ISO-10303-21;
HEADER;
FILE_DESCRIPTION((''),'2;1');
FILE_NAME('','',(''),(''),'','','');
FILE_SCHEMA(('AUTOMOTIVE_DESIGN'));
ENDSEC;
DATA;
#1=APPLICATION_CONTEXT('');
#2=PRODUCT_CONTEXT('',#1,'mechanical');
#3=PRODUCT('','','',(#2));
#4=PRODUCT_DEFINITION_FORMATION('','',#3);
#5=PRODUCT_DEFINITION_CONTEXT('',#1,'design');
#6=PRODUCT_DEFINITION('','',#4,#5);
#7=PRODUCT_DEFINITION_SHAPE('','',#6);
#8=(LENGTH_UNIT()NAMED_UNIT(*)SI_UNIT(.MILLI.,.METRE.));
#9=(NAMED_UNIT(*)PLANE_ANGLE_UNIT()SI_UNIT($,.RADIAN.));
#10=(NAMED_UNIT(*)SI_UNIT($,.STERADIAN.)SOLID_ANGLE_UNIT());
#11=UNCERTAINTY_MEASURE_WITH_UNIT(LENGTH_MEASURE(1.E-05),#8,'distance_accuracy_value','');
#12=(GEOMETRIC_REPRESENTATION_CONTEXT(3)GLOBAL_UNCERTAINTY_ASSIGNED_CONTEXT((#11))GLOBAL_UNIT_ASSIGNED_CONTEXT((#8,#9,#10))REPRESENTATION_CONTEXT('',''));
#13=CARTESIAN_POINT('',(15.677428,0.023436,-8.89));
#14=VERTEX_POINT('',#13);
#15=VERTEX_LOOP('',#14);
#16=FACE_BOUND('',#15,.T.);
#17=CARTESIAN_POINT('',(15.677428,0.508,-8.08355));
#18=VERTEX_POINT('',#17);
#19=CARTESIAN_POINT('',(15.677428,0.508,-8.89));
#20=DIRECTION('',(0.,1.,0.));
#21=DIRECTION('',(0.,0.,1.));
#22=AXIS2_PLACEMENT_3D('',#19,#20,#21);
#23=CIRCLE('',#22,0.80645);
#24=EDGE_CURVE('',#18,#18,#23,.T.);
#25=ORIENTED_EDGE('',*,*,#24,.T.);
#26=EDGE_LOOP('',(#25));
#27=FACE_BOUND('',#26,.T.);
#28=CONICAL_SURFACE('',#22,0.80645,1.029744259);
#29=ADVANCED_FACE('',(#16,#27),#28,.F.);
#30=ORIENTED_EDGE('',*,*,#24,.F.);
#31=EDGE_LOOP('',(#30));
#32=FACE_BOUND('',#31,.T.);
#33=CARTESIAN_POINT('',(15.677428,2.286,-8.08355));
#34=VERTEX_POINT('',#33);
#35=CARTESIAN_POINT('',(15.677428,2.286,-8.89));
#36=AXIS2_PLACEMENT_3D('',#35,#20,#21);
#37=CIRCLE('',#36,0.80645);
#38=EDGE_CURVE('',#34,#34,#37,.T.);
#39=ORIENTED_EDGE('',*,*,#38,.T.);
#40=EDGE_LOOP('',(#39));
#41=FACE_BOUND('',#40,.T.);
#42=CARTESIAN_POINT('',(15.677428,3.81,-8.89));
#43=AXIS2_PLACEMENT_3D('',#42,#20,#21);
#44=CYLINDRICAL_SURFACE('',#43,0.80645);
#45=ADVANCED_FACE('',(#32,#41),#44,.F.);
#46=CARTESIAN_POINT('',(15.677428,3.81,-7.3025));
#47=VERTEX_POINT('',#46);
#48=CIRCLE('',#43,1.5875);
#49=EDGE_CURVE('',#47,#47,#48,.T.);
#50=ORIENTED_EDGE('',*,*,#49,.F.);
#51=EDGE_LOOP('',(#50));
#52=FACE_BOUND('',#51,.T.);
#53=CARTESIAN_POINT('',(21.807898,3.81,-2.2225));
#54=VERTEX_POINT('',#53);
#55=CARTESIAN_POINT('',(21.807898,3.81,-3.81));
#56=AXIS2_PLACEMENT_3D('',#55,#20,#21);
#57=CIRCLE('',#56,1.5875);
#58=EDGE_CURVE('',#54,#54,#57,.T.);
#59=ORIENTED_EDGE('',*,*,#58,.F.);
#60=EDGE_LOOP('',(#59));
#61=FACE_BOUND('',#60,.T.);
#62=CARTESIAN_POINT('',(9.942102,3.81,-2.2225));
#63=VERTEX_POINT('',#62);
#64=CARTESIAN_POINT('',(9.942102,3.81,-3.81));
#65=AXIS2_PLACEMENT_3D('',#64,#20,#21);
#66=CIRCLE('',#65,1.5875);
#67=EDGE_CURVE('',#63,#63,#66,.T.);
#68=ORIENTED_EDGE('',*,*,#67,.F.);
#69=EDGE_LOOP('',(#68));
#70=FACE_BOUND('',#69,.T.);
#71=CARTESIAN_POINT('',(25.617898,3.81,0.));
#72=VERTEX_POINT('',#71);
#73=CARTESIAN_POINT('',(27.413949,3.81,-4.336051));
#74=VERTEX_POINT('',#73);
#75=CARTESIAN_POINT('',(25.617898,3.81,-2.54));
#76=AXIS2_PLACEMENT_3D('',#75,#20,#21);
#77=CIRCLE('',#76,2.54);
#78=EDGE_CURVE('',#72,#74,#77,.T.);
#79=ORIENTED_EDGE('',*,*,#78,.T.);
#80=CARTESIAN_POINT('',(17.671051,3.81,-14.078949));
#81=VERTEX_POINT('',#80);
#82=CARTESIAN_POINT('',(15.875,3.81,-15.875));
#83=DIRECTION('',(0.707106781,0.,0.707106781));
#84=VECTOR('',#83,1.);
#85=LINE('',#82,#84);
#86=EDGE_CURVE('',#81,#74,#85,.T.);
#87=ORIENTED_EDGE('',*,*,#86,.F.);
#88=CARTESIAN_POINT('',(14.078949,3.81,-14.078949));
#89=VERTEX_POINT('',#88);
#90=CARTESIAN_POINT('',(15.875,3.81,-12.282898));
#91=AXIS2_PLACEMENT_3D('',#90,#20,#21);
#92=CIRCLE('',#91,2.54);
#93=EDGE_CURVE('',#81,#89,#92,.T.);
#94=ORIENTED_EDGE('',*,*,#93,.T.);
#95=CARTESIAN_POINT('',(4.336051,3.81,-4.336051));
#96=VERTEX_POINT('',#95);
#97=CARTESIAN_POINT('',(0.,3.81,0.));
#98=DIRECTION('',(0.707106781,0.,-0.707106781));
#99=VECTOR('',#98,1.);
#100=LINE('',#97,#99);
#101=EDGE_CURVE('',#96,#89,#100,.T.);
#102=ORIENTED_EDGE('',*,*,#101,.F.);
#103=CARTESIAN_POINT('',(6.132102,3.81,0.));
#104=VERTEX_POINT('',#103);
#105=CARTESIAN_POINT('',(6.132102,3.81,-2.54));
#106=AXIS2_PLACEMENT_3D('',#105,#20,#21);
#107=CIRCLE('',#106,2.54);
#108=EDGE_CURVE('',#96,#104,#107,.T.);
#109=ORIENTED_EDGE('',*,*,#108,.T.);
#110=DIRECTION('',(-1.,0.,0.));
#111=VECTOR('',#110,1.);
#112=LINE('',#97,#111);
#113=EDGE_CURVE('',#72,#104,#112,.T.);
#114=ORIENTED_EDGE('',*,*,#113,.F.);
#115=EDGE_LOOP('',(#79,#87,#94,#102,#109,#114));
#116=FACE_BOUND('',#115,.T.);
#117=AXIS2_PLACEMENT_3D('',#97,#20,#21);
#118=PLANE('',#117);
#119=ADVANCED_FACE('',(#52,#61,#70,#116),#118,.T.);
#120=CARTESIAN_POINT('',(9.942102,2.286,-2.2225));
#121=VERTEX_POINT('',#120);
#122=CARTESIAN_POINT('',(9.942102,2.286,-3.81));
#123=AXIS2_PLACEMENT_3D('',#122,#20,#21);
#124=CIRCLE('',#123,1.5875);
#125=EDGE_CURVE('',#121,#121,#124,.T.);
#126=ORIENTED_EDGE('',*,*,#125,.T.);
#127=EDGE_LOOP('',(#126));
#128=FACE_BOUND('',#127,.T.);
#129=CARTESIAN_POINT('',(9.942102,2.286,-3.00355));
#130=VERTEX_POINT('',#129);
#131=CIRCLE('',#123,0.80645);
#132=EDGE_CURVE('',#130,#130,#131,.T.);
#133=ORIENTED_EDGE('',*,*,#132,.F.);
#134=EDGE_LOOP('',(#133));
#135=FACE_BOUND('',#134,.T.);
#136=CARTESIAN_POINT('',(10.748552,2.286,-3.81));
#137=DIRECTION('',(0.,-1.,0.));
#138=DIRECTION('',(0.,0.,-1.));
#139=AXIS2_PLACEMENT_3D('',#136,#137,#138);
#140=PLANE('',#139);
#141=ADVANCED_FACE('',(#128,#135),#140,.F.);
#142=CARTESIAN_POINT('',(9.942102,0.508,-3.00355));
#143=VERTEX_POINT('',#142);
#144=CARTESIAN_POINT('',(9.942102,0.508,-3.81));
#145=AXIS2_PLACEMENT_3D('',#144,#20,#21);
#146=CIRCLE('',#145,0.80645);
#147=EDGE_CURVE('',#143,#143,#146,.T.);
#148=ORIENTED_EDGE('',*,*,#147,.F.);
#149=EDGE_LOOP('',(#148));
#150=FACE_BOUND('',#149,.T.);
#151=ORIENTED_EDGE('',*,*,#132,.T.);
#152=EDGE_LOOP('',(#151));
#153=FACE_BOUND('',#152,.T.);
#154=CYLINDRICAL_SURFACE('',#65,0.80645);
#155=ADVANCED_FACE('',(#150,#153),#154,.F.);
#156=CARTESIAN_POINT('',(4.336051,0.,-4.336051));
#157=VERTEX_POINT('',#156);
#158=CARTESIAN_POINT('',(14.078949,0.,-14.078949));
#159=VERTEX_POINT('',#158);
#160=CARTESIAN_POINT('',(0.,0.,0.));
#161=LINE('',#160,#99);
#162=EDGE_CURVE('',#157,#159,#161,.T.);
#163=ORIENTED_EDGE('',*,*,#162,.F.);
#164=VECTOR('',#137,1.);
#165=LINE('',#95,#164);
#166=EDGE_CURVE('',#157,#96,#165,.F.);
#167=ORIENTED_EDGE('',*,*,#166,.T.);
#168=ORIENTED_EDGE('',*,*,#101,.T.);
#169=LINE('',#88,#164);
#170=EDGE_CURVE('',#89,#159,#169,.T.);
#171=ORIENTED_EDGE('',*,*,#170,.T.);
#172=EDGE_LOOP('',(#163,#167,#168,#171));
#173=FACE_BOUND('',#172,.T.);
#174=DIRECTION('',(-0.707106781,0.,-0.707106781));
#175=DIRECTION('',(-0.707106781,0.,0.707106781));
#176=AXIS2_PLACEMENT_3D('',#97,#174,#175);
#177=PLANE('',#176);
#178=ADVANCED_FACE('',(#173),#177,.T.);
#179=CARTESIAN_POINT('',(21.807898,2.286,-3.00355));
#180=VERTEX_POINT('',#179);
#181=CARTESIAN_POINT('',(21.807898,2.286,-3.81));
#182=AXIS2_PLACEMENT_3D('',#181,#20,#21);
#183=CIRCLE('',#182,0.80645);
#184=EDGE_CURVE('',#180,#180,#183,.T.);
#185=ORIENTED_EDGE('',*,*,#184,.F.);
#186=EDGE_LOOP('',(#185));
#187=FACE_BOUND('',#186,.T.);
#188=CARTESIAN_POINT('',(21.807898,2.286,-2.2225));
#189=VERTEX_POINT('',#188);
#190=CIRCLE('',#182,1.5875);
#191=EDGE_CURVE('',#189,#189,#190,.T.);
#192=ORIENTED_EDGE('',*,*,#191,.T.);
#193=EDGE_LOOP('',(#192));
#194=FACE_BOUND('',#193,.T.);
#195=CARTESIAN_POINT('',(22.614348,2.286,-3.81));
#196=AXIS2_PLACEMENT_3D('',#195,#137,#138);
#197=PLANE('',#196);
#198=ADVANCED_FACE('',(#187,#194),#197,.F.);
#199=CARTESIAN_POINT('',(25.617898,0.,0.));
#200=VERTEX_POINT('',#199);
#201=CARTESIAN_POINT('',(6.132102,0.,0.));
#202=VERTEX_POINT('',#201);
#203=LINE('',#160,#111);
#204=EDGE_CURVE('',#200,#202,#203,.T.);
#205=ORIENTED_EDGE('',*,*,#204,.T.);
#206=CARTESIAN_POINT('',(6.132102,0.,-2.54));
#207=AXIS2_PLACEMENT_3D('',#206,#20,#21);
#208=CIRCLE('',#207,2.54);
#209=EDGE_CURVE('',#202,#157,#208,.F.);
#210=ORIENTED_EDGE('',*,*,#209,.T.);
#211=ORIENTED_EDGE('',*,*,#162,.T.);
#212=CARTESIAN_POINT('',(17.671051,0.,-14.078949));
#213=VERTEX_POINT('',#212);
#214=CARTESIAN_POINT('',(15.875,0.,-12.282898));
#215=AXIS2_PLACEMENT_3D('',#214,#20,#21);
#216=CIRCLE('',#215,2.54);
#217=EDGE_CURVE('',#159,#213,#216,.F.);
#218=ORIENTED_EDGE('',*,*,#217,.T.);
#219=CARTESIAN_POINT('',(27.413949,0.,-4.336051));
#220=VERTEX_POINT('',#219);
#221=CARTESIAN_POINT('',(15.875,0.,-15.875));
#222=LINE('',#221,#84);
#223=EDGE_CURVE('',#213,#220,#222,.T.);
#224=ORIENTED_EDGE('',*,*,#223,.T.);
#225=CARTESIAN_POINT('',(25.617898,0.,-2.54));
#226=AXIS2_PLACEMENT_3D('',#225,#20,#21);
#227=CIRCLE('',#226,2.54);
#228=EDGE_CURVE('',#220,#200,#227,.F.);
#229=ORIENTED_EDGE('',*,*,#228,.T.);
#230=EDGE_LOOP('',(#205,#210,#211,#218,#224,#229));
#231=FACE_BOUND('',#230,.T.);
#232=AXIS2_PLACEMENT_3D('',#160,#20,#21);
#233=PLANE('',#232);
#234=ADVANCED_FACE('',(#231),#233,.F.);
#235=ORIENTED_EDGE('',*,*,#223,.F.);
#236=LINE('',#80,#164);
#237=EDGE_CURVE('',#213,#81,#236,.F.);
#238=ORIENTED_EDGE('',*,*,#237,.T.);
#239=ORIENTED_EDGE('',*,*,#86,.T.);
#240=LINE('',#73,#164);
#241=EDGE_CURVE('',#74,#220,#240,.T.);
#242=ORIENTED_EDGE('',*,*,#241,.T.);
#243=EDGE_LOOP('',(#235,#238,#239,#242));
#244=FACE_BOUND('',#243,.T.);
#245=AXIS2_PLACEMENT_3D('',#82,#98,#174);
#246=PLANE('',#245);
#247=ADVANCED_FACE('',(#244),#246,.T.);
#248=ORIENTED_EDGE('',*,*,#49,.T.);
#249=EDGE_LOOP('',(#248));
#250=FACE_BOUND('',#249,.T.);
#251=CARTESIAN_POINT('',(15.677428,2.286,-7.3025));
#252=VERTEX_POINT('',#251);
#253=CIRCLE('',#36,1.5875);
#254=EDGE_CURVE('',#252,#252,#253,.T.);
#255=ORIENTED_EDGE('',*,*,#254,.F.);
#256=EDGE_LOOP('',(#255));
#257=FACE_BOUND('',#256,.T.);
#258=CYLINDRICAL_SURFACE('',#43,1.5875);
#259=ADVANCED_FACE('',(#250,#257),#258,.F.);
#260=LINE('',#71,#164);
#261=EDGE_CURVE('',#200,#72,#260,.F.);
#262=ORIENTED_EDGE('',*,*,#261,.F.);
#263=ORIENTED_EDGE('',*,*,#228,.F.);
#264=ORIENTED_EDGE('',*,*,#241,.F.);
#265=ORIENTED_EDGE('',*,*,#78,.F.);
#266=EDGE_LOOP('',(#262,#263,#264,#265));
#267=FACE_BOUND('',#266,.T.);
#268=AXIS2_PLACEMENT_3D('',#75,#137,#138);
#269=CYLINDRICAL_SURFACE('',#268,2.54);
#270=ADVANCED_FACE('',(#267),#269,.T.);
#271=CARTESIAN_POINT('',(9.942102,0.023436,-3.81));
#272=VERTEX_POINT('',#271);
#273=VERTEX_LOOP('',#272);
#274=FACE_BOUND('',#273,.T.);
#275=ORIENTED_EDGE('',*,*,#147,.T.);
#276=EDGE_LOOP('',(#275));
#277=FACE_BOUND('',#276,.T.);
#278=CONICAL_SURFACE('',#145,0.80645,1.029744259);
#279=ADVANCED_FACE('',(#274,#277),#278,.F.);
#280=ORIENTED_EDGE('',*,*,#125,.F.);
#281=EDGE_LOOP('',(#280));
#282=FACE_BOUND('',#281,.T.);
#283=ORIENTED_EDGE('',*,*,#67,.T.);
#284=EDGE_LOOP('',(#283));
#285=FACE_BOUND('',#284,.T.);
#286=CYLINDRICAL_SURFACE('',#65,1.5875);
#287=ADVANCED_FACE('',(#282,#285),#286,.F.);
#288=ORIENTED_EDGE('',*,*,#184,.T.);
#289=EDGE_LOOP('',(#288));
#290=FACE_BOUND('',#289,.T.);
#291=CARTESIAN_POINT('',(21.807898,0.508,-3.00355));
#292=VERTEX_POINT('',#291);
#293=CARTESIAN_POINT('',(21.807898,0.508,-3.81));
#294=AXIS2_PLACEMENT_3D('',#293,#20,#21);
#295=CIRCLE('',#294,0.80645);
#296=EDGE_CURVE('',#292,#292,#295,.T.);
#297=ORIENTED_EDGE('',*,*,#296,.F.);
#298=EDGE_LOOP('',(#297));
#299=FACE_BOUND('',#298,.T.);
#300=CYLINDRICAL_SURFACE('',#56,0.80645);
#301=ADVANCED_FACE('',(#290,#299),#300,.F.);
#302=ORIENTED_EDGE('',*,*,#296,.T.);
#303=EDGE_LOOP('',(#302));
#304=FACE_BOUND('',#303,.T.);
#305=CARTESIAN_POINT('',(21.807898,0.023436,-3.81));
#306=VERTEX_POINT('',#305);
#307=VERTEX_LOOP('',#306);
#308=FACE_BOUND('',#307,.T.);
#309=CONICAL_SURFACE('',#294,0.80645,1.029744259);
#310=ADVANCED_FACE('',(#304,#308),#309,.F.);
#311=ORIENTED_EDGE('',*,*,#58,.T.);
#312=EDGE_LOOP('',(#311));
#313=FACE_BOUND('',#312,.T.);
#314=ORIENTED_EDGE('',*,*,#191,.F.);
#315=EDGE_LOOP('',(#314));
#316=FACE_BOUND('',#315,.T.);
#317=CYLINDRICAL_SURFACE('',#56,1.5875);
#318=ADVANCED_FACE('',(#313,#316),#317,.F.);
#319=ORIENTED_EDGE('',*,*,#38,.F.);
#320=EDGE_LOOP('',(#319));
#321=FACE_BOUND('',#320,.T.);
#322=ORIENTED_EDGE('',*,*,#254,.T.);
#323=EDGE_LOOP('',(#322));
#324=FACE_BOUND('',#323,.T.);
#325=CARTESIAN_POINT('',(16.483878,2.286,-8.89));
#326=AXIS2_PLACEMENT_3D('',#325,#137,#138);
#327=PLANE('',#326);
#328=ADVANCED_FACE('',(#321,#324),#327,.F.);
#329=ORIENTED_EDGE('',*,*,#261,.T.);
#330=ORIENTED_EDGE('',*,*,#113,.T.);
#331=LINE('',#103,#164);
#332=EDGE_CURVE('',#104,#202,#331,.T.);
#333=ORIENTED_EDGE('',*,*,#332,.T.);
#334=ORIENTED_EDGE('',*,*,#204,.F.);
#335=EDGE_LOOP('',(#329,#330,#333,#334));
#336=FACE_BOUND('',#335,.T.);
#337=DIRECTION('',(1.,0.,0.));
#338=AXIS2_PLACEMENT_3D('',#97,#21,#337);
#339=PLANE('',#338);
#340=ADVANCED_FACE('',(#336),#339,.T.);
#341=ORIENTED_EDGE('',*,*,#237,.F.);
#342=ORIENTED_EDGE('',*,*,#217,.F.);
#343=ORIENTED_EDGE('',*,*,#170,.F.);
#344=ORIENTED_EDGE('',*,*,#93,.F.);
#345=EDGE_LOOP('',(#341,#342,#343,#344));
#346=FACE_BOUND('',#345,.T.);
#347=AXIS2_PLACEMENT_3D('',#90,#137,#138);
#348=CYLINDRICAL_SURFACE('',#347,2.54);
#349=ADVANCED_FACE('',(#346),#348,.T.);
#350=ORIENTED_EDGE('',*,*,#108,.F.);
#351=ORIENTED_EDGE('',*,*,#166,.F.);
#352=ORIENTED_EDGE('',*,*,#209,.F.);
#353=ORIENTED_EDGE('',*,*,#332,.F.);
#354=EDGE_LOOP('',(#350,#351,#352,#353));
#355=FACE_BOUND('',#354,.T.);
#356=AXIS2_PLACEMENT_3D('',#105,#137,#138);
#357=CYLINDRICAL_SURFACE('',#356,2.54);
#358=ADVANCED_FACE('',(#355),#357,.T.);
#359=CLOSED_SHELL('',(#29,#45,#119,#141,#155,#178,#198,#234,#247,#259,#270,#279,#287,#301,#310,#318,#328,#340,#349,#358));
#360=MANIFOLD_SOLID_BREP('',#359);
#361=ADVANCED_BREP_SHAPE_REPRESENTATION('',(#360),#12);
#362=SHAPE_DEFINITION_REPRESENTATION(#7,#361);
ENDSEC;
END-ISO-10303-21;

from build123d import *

# Parameters (mm, degrees)
BOSS_EXTRUDE1_DEPTH                            = 3.81
FILLET1_R                                      = 2.54
CBORE_FOR_0_SOCKET_HEAD_CAP_SCREW1_D           = 1.6129
CBORE_FOR_0_SOCKET_HEAD_CAP_SCREW1_DEPTH       = 3.302
CBORE_FOR_0_SOCKET_HEAD_CAP_SCREW1_CBORE_D     = 3.175
CBORE_FOR_0_SOCKET_HEAD_CAP_SCREW1_CBORE_DEPTH = 1.524
CBORE_FOR_0_SOCKET_HEAD_CAP_SCREW1_TIP         = 0.484564046


with BuildPart() as part:
    # Sketch2 → Boss-Extrude1 (new body)
    with BuildSketch(Plane(origin=(0, 0, 0), x_dir=(1, 0, 0), z_dir=(0, 1, 0))):
        Polygon((31.75, 0), (0, 0), (15.875, 15.875), align=None)
    extrude(amount=BOSS_EXTRUDE1_DEPTH)

    # Fillet1
    fillet1_edges = [part.edges().sort_by_distance(p)[0] for p in [
        (0, 1.905, 0),
        (15.875, 1.905, -15.875),
        (31.75, 1.905, 0),
    ]]
    fillet(fillet1_edges, radius=FILLET1_R)

    # CBORE for #0 Socket Head Cap Screw1
    with Locations(Plane(origin=(0, 3.81, 0), x_dir=(1, 0, 0), z_dir=(0, 1, 0))):
        with Locations((9.942102448, 3.81), (15.677428144, 8.89), (21.807897552, 3.81)):
            CounterBoreHole(CBORE_FOR_0_SOCKET_HEAD_CAP_SCREW1_D / 2, CBORE_FOR_0_SOCKET_HEAD_CAP_SCREW1_CBORE_D / 2, CBORE_FOR_0_SOCKET_HEAD_CAP_SCREW1_CBORE_DEPTH, depth=CBORE_FOR_0_SOCKET_HEAD_CAP_SCREW1_DEPTH)
            with Locations((0, 0, -(CBORE_FOR_0_SOCKET_HEAD_CAP_SCREW1_DEPTH + CBORE_FOR_0_SOCKET_HEAD_CAP_SCREW1_TIP / 2))):  # 118° drill point
                Cone(0, CBORE_FOR_0_SOCKET_HEAD_CAP_SCREW1_D / 2, CBORE_FOR_0_SOCKET_HEAD_CAP_SCREW1_TIP, mode=Mode.SUBTRACT)


solid = part.part
